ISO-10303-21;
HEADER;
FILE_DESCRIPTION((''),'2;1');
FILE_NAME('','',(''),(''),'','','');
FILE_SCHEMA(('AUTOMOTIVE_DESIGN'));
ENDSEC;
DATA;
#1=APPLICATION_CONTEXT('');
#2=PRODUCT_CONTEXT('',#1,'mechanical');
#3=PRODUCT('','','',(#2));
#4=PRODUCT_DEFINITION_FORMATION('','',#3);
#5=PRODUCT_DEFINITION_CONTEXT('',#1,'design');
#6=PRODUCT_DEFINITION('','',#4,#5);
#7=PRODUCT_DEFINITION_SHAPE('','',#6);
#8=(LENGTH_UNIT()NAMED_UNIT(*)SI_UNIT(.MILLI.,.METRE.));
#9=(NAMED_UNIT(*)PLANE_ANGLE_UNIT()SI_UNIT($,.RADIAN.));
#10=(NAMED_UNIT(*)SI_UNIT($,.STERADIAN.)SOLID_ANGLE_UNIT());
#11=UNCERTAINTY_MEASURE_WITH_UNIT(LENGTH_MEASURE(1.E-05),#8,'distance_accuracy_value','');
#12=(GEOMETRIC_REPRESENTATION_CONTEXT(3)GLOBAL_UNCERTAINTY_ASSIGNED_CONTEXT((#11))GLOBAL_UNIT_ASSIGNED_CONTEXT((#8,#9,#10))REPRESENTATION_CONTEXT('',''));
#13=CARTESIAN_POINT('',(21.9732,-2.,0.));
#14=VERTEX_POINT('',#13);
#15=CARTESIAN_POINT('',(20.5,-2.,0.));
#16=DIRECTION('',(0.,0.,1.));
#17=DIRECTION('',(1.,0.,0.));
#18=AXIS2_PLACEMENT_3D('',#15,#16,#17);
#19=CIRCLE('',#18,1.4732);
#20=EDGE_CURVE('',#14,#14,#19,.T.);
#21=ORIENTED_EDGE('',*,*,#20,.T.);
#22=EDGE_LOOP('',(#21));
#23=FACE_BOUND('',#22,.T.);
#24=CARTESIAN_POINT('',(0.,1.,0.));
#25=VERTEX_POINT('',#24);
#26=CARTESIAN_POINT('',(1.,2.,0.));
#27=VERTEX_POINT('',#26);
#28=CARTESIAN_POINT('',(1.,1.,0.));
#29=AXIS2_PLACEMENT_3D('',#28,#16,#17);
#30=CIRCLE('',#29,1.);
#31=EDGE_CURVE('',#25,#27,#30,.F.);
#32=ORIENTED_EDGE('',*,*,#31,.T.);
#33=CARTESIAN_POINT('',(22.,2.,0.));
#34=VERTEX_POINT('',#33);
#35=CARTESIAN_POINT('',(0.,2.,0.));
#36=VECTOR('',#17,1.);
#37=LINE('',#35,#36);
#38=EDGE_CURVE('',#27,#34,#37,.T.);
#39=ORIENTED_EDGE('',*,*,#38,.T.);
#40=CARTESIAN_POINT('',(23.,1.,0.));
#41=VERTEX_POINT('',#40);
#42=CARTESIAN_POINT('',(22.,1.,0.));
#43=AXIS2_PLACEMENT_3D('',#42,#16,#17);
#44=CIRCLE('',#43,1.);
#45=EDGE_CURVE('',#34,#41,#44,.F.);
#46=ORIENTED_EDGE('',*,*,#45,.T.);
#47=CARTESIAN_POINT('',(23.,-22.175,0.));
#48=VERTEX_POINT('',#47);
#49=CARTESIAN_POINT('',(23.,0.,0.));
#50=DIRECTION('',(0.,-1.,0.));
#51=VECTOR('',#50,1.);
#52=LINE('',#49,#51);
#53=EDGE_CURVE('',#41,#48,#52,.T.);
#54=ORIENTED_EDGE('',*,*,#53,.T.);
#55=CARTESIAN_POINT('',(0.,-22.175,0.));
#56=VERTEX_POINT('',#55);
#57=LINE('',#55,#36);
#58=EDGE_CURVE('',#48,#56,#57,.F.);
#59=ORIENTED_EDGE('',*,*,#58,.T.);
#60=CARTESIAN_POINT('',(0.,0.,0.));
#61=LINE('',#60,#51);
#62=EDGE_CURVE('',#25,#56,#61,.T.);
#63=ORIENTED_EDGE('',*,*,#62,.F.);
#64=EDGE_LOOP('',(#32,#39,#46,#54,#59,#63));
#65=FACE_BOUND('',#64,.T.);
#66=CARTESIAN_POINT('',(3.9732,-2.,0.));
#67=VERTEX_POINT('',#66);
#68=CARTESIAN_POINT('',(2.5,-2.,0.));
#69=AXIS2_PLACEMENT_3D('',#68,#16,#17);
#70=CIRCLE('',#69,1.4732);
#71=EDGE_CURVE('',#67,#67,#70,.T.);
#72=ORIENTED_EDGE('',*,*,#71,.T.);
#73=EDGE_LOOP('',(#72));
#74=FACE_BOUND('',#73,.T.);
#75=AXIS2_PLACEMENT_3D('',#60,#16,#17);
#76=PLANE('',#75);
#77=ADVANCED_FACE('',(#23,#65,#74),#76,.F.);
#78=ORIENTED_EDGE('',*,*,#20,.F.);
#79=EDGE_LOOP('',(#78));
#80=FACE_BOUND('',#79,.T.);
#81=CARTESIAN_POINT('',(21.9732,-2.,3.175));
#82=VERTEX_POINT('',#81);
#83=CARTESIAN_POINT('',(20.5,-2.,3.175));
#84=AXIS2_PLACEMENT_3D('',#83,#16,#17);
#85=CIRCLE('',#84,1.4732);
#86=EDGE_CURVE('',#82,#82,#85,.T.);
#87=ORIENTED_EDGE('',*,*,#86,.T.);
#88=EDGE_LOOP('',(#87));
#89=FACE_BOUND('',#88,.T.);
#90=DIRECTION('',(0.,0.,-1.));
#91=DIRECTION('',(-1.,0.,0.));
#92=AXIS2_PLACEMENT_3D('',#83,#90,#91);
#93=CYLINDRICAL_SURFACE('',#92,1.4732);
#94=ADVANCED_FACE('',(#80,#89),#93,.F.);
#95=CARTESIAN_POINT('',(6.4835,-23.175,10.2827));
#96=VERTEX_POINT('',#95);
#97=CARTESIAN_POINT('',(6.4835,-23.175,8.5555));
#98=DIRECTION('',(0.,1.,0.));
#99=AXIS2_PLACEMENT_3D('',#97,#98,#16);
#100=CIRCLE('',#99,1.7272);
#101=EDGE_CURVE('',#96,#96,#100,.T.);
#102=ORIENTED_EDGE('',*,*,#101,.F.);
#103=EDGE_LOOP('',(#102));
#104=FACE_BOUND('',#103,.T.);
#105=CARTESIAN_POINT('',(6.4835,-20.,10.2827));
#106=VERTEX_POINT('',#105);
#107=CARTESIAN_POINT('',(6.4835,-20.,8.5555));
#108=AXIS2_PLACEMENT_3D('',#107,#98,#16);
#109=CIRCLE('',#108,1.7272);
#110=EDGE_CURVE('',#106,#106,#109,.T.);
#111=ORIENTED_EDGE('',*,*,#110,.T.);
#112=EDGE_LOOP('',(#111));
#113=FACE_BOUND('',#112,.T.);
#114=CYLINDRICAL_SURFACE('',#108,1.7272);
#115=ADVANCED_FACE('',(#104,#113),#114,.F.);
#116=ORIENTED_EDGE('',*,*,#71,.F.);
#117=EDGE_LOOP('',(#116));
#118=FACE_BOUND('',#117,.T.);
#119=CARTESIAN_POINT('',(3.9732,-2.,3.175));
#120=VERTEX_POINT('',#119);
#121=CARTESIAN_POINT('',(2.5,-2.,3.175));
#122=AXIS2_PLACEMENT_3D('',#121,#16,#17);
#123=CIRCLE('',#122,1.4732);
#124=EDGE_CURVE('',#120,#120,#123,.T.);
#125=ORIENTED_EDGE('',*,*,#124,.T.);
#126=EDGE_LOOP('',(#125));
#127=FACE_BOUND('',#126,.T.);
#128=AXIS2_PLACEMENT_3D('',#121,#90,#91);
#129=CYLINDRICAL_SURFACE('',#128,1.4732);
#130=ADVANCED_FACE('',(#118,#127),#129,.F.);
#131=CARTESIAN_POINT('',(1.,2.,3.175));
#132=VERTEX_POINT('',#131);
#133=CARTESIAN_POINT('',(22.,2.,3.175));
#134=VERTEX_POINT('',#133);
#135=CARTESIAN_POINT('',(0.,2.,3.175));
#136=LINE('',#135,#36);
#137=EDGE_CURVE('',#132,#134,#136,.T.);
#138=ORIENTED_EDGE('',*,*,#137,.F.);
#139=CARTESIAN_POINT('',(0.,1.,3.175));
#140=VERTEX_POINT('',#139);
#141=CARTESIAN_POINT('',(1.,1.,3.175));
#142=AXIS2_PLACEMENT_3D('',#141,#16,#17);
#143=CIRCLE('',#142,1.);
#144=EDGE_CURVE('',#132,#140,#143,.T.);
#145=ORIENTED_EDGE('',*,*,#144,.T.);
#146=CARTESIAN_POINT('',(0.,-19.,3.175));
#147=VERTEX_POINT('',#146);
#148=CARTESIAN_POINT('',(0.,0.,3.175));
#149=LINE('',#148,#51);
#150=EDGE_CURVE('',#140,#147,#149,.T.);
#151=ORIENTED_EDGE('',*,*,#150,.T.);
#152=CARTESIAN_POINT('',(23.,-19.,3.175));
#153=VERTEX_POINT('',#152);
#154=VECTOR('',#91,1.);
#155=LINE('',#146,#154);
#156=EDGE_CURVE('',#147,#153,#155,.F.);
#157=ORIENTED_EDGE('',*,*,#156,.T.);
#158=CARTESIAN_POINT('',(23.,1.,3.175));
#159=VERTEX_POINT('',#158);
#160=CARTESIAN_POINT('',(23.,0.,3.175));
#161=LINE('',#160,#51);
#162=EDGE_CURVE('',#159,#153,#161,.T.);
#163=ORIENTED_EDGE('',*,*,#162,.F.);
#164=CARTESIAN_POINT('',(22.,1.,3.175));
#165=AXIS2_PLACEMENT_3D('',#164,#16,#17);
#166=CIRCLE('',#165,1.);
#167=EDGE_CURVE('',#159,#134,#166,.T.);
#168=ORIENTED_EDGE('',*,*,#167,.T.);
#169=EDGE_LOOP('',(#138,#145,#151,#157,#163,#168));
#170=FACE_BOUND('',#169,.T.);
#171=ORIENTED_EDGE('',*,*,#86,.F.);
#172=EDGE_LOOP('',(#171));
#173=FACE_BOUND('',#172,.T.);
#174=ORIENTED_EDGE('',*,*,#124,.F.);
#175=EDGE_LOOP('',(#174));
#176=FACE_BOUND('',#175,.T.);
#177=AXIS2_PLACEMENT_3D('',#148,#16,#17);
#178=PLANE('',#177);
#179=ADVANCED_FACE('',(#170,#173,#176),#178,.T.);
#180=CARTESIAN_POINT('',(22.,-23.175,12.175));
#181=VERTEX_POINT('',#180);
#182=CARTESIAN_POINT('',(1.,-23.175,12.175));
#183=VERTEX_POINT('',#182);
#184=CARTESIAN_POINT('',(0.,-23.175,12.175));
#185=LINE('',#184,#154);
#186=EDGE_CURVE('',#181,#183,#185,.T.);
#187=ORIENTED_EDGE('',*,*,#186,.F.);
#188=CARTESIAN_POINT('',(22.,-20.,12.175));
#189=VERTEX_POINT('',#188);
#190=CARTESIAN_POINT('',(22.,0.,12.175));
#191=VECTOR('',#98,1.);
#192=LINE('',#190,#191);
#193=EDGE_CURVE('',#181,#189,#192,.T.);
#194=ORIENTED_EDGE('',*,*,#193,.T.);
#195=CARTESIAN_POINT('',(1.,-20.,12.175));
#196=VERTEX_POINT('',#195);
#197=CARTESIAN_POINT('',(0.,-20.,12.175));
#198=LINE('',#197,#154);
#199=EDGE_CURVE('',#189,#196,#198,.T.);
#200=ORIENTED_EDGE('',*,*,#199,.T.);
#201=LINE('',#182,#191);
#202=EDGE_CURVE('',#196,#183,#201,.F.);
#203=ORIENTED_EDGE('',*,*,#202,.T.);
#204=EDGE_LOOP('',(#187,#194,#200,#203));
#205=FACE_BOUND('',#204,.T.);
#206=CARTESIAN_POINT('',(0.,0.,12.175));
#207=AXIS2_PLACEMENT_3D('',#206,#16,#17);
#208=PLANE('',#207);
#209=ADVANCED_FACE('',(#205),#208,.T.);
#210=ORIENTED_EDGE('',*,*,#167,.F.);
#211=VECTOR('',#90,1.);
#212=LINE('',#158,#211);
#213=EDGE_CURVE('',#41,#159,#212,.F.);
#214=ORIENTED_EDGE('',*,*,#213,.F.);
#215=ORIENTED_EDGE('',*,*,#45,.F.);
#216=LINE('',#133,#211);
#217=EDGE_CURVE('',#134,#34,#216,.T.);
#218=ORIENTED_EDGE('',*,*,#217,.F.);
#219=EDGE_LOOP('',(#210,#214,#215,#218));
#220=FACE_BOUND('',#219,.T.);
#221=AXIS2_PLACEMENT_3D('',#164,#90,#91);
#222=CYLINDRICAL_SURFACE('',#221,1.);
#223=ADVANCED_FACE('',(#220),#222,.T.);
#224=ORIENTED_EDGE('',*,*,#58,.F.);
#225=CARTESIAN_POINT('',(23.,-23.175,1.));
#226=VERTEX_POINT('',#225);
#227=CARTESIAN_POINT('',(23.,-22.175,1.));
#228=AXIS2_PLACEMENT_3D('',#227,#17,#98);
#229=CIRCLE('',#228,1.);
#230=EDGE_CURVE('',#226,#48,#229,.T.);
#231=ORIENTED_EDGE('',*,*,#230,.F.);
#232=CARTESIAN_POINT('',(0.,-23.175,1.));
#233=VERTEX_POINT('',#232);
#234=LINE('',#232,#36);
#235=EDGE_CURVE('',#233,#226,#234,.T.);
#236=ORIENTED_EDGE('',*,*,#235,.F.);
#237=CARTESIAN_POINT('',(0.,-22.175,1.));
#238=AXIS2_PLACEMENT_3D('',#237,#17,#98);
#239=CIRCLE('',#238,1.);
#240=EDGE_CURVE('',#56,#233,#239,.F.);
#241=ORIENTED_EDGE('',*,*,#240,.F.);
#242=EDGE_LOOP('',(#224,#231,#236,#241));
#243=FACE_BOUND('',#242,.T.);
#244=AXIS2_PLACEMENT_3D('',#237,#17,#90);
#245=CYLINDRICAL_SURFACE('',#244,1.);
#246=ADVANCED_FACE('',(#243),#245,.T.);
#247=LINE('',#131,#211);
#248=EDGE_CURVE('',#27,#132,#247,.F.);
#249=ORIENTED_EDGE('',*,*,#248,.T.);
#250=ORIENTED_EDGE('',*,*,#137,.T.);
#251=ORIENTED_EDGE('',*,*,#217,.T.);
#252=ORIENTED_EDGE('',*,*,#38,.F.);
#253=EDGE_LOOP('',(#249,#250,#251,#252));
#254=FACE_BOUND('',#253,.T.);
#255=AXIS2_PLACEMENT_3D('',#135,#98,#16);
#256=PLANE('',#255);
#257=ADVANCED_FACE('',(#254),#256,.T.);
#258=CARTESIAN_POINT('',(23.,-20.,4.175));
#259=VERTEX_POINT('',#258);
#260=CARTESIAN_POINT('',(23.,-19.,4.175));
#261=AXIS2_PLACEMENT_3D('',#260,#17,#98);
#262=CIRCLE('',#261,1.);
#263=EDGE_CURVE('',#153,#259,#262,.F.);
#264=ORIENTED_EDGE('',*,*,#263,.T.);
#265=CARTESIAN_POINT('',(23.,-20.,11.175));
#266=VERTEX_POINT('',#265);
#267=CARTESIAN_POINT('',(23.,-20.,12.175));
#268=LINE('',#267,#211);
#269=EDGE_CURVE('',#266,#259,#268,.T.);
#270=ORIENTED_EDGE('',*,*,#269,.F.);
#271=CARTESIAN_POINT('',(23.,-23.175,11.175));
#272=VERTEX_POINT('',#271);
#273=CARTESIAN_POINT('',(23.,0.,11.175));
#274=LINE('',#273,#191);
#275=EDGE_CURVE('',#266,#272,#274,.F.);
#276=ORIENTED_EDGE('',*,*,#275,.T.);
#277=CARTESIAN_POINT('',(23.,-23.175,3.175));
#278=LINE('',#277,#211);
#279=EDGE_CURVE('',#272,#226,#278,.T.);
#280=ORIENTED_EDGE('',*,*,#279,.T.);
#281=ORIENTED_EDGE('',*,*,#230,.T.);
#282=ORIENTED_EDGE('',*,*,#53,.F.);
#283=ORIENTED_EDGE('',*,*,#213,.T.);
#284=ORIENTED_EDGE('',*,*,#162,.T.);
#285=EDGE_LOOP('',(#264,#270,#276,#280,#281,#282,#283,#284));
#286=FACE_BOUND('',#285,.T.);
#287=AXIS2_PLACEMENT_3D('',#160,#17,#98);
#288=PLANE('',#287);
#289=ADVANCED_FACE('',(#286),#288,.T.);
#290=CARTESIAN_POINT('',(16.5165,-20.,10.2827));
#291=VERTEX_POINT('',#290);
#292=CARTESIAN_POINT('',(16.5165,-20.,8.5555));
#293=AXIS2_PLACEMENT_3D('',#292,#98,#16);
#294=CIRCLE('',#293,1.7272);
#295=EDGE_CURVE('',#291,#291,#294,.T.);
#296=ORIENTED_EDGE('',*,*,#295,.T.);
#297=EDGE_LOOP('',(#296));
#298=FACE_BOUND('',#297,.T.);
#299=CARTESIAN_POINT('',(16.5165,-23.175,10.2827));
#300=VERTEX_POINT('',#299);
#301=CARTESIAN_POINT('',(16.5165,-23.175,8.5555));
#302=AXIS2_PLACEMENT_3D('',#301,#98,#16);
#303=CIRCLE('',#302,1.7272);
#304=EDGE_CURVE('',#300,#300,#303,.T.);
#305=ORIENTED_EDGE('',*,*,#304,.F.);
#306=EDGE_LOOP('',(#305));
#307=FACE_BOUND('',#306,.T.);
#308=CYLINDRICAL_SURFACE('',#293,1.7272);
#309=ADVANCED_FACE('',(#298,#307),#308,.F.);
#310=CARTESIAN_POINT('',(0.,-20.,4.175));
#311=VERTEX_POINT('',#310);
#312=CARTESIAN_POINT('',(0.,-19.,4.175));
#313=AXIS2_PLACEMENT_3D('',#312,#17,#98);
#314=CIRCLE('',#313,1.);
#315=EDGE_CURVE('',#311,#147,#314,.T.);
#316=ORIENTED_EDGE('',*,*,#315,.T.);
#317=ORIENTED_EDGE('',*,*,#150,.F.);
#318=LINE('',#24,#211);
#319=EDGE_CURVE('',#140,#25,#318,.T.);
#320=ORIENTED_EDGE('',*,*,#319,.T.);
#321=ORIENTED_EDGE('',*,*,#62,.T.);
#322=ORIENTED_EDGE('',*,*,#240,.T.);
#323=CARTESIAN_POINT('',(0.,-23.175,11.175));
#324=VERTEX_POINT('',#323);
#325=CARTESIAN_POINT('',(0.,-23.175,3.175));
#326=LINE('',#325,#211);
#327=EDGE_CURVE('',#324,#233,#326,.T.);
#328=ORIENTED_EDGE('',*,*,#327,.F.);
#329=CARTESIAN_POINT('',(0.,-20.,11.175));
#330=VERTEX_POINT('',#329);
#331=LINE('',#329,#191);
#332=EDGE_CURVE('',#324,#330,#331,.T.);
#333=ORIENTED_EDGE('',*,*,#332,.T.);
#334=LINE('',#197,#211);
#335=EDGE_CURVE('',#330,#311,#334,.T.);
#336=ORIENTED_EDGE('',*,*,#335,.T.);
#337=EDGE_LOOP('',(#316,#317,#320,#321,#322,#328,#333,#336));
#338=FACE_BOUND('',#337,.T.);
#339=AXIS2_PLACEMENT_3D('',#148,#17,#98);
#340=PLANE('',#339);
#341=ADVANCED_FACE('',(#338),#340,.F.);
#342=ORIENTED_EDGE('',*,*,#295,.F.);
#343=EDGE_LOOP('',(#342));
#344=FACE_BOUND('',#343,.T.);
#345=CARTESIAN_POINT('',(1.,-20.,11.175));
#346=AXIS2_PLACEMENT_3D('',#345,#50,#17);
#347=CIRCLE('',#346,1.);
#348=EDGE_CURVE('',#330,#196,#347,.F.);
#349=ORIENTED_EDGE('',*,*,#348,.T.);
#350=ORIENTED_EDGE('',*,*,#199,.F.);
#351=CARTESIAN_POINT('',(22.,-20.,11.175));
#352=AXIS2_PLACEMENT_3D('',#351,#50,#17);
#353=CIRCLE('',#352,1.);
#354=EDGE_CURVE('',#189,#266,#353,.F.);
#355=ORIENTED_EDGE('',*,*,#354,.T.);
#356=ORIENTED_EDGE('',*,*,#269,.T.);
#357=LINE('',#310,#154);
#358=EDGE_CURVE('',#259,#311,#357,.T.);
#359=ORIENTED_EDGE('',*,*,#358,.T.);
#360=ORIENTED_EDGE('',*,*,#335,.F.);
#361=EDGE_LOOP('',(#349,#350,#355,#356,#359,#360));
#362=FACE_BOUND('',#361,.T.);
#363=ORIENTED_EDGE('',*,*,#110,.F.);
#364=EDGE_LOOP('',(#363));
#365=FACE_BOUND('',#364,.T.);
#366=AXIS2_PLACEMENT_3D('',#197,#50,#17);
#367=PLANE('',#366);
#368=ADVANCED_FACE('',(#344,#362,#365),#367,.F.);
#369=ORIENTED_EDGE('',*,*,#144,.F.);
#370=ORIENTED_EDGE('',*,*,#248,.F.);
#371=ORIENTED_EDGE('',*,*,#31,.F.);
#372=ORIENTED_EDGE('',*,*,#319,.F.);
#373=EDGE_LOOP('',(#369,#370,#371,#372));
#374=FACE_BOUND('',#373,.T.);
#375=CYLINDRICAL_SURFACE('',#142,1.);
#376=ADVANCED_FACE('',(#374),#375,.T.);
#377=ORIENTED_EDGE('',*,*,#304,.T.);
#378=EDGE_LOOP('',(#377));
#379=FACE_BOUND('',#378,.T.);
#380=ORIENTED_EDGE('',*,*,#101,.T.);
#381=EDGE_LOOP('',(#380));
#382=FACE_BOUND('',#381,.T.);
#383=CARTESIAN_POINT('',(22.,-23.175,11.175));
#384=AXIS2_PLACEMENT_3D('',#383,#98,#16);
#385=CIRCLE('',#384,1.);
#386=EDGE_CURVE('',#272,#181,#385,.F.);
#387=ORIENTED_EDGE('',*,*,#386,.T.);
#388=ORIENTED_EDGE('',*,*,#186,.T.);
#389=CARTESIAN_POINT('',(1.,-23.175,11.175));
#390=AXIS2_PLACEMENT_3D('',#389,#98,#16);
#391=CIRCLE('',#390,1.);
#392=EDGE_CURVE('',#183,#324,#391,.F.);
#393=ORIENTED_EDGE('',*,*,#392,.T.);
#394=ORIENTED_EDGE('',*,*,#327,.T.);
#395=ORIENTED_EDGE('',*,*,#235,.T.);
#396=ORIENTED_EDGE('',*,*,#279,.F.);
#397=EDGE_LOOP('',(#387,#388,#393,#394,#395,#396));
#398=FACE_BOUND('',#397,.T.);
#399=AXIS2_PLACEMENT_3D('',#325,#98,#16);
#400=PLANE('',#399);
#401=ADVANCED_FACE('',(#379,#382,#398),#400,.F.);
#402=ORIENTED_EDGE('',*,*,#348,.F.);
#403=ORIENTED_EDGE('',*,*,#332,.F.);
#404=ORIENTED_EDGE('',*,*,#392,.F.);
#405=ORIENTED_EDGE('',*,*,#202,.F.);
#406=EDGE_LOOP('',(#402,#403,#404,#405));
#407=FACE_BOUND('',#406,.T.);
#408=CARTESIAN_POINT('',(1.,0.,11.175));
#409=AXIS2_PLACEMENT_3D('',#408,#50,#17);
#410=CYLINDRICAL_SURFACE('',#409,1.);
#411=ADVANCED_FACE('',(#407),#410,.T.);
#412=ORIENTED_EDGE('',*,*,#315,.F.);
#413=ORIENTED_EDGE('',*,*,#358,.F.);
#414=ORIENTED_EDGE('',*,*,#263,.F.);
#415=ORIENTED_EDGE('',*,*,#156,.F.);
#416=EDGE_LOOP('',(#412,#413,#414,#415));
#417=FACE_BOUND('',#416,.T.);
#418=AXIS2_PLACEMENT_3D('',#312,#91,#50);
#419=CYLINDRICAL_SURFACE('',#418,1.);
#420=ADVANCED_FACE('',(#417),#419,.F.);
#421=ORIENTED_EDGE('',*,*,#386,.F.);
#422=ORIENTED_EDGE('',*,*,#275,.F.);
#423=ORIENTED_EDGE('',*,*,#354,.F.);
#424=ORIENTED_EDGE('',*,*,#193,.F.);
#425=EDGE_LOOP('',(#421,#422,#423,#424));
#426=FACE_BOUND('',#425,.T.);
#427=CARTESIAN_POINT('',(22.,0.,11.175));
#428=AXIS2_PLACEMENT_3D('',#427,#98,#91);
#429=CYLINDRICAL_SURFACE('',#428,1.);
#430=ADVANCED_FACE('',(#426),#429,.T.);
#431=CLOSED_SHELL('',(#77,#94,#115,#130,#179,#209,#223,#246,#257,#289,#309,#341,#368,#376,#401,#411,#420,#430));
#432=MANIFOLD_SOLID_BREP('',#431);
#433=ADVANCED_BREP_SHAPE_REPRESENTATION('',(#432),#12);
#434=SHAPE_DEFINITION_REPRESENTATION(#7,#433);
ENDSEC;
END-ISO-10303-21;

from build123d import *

# Parameters (mm, degrees)
SKETCH1_W             = 23
SKETCH1_H             = 20
SKETCH1_R             = 1.4732
SKETCH1_H_2           = 3.175
SKETCH1_H_3           = 2
BOSS_EXTRUDE1_DEPTH   = 3.175
BOSS_EXTRUDE2_START   = 3.175
SKETCH1_3_W           = 23
SKETCH1_3_H           = 3.175
BOSS_EXTRUDE2_DEPTH   = 9
F_8_32_TAPPED_HOLE1_D = 3.4544
FILLET1_R             = 1


with BuildPart() as part:
    # Sketch1 → Boss-Extrude1 (new body)
    # profile 1 of 3: a face of its own
    with BuildSketch(Plane.XY):
        with Locations((11.5, -10)):
            Rectangle(SKETCH1_W, SKETCH1_H)
        with Locations((2.5, -2)):
            Circle(SKETCH1_R, mode=Mode.SUBTRACT)
        with Locations((20.5, -2)):
            Circle(SKETCH1_R, mode=Mode.SUBTRACT)
    # profile 2 of 3: a face of its own
    with BuildSketch(Plane.XY):
        with Locations((11.5, -21.5875)):
            Rectangle(SKETCH1_W, SKETCH1_H_2)
    # profile 3 of 3: a face of its own
    with BuildSketch(Plane.XY):
        with Locations((11.5, 1)):
            Rectangle(SKETCH1_W, SKETCH1_H_3)
    extrude(amount=BOSS_EXTRUDE1_DEPTH)

    # Sketch1<3> → Boss-Extrude2 (add)
    with BuildSketch(Plane.XY.offset(BOSS_EXTRUDE2_START)):
        with Locations((11.5, -21.5875)):
            Rectangle(SKETCH1_3_W, SKETCH1_3_H)
    extrude(amount=BOSS_EXTRUDE2_DEPTH)

    # #8-32 Tapped Hole1 (through all)
    with Locations(Plane(origin=(6.4835, -20, 8.5555), x_dir=(1, 0, 0), z_dir=(0, 1, 0))):
        with Locations((0, 0), (10.033, 0)):
            Hole(F_8_32_TAPPED_HOLE1_D / 2)

    # Fillet1
    fillet1_edges = [part.edges().sort_by_distance(p)[0] for p in [
        (0, 2, 1.5875),
        (23, 2, 1.5875),
        (0, -21.5875, 12.175),
        (11.5, -20, 3.175),
        (23, -21.5875, 12.175),
        (11.5, -23.175, 0),
    ]]
    fillet(fillet1_edges, radius=FILLET1_R)


solid = part.part
